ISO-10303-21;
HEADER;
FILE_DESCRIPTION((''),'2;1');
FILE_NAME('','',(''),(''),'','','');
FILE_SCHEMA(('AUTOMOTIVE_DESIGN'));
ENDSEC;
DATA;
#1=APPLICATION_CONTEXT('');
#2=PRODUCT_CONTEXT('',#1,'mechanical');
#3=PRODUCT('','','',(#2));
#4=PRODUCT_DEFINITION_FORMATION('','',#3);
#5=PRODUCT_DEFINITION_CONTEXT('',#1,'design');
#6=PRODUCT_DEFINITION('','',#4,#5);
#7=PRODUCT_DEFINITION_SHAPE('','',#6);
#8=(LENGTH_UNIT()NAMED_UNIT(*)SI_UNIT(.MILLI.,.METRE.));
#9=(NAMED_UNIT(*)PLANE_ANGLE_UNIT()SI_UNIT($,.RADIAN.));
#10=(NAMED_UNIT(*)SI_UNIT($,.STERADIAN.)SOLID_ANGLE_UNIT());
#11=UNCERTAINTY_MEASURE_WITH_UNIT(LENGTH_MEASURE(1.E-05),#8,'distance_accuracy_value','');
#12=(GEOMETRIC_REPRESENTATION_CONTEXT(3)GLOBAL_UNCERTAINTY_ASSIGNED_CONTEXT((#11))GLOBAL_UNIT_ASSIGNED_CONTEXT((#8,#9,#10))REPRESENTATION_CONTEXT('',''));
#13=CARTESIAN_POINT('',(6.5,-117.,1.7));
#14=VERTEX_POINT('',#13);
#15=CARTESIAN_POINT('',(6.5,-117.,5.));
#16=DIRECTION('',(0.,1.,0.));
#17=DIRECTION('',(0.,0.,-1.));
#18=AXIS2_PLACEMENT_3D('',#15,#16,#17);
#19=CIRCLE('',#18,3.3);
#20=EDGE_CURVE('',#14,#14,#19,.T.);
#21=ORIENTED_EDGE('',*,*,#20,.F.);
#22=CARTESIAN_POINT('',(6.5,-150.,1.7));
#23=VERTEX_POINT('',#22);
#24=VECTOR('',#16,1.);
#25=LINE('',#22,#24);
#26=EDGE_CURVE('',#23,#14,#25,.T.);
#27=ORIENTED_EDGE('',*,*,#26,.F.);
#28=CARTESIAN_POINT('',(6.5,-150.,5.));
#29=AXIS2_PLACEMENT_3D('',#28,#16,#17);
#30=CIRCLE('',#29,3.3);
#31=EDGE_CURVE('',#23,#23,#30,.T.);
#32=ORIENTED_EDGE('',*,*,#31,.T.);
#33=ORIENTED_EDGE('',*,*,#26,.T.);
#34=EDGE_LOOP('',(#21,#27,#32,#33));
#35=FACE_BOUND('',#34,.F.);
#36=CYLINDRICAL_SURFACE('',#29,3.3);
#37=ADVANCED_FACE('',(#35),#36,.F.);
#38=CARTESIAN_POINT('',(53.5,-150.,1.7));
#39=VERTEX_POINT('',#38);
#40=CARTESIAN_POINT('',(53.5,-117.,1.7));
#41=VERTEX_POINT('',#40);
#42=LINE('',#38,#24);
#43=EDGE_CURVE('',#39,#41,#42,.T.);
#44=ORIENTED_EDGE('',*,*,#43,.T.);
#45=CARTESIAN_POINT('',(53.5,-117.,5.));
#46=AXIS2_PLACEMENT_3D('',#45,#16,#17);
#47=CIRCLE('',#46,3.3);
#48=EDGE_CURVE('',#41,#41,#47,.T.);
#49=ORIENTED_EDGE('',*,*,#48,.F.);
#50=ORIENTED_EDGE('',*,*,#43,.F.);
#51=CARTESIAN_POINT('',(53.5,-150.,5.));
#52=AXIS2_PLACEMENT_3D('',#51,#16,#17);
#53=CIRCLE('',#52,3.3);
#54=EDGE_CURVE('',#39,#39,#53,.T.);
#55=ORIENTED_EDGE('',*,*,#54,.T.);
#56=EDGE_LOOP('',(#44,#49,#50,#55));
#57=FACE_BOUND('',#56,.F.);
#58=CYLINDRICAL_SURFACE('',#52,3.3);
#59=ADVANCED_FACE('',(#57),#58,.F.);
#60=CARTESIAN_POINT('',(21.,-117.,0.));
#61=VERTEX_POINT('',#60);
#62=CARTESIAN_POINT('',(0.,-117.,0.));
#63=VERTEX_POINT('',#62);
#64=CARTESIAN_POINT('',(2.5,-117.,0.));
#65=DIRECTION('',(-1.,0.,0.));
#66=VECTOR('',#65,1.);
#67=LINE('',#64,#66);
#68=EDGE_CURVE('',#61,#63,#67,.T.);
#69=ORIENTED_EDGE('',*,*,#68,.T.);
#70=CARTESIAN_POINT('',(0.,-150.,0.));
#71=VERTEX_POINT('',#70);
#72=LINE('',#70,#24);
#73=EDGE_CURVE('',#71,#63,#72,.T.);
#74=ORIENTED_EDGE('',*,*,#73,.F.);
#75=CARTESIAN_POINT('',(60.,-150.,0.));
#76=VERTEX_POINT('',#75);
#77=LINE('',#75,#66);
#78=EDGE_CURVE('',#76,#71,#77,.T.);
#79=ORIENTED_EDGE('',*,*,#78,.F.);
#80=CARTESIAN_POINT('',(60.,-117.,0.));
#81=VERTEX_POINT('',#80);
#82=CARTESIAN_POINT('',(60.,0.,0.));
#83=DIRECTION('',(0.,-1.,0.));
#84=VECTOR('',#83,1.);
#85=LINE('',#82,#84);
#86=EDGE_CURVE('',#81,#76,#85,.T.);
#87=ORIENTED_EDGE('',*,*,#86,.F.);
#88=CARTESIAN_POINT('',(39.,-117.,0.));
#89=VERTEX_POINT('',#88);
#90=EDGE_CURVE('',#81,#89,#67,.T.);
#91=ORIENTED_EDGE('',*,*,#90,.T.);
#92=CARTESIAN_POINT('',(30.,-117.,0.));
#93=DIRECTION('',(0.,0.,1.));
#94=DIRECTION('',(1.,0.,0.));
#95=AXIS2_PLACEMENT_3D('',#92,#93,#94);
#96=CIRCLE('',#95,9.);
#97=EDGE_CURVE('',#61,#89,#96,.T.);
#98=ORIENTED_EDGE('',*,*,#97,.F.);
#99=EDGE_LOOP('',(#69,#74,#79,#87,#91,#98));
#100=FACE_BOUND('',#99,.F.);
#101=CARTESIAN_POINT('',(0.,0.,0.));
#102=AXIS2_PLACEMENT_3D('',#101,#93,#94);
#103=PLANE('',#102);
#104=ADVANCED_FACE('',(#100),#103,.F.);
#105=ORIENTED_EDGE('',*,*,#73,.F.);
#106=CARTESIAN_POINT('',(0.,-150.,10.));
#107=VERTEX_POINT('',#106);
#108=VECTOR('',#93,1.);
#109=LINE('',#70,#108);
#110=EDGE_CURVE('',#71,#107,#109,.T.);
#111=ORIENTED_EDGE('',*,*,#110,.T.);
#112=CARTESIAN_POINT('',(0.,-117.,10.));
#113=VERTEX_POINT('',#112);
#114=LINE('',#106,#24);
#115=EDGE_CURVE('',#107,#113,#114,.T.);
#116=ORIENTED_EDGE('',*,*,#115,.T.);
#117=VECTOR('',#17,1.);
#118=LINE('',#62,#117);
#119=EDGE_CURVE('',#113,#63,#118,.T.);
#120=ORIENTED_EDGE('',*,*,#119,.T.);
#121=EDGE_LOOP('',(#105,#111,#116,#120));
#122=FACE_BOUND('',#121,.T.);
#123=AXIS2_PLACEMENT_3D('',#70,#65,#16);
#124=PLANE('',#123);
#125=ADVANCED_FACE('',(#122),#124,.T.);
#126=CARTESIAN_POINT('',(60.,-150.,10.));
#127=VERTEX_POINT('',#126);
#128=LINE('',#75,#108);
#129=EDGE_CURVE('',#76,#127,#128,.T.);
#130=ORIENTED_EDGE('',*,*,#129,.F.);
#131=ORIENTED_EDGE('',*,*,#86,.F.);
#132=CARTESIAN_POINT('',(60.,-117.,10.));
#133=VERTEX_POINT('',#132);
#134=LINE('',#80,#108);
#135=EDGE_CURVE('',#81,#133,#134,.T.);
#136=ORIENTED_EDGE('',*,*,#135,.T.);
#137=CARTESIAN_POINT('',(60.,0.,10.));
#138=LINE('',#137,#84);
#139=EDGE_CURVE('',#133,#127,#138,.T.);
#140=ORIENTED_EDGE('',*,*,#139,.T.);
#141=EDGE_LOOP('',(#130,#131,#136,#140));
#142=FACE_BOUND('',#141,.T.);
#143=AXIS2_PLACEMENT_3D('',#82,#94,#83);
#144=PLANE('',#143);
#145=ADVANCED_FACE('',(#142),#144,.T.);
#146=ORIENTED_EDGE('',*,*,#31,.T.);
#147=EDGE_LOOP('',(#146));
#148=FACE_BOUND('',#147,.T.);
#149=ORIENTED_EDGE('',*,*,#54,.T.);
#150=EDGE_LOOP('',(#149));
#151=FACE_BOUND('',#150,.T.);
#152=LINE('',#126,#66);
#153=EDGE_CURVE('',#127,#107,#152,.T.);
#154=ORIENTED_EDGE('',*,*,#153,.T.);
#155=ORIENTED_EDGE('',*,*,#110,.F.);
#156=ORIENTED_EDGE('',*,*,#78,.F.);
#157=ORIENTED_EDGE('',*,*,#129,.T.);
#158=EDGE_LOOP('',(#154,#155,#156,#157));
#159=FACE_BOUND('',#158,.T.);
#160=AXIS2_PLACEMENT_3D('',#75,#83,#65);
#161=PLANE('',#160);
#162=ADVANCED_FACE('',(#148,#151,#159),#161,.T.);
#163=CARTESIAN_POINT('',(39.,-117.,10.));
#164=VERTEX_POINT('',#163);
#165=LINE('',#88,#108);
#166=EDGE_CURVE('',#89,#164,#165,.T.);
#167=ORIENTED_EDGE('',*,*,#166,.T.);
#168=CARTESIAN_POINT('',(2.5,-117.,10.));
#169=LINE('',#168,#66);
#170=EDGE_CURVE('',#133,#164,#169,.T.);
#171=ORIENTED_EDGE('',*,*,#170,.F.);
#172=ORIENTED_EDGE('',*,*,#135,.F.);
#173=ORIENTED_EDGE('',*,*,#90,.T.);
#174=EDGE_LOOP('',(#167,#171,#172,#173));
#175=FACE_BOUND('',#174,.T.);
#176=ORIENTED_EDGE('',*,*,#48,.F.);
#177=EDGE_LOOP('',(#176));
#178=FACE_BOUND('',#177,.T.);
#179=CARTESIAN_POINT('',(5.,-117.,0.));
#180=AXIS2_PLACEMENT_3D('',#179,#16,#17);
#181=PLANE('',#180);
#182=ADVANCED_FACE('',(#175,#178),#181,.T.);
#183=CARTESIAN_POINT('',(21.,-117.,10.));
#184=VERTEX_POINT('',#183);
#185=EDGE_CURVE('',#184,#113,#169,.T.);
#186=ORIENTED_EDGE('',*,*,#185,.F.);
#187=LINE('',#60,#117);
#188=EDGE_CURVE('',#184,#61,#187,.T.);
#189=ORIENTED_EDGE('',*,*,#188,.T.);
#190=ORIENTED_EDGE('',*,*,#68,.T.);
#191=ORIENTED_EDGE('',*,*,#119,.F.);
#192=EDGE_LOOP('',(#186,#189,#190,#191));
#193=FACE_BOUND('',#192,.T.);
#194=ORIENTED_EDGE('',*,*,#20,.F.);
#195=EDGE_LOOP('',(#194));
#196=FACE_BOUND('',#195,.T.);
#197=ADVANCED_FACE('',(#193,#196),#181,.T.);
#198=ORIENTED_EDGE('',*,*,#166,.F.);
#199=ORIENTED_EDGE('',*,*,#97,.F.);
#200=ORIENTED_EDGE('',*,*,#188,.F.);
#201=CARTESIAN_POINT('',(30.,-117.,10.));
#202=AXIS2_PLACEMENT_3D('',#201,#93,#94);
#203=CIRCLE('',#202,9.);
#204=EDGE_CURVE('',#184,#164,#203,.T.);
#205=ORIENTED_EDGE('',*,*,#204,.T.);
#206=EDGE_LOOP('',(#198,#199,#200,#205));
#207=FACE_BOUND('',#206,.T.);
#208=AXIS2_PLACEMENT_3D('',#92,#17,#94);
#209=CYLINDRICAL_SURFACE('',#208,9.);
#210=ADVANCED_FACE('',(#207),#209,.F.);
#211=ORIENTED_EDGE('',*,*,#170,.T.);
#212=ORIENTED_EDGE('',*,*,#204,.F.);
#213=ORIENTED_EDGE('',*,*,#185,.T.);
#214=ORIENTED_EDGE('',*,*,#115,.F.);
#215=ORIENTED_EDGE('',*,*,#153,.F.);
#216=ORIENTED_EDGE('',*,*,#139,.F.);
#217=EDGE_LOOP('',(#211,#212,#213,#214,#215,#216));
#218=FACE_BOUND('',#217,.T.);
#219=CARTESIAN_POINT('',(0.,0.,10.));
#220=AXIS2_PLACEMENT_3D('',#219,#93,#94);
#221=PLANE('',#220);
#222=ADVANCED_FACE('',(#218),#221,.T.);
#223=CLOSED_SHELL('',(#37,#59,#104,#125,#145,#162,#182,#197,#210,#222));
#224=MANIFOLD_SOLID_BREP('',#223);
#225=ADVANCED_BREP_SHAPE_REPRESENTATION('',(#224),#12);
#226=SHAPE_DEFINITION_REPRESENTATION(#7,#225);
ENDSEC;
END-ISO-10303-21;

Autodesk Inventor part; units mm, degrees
ref_plane "YZ Plane" through (0, 0, 0) normal (1, 0, 0) x (0, 1, 0)
ref_plane "XZ Plane" through (0, 0, 0) normal (0, 1, 0) x (-1, 0, 0)
sketch "Skizze1" plane through (0, 0, 0) normal (0, 0, 1) x (1, 0, 0)
  line L0 (0, 0) -> (60, 0)
  line L1 (60, 0) -> (60, -150)
  line L2 (60, -150) -> (0, -150)
  line L3 (0, -150) -> (0, 0)
  circle A0 centre (30, -117) radius 9
  dimension "d0" = 60
  dimension "d1" = 150
  dimension "d2" = 18
extrude "Extrusion1" add sketch "Skizze1" along normal blind 10
sketch "Skizze2" plane through (0, -150, 0) normal (0, -1, 0) x (1, 0, 0)
  point P0 (0, 0)
  point P1 (6.5, 5)
  point P2 (53.5, 5)
sketch "Skizze3" plane through (0, 0, 0) normal (0, 0, -1) x (-1, 0, 0)
  line L0 (-5, -117) -> (-55, -117)
  point P0 (0, 0)
ref_plane "Arbeitsebene1" through (5, -117, 0) normal (0, 1, 0) x (1, 0, 0)
split "Trennen1" plane through (5, -117, 0) removes the side toward (0, 1, 0)
hole "Bohrung2" at (6.5, -150, 5) at (53.5, -150, 5) direction (0, 1, 0) diameter 6.6 end through all
properties part number "Steher oben Rohr"
